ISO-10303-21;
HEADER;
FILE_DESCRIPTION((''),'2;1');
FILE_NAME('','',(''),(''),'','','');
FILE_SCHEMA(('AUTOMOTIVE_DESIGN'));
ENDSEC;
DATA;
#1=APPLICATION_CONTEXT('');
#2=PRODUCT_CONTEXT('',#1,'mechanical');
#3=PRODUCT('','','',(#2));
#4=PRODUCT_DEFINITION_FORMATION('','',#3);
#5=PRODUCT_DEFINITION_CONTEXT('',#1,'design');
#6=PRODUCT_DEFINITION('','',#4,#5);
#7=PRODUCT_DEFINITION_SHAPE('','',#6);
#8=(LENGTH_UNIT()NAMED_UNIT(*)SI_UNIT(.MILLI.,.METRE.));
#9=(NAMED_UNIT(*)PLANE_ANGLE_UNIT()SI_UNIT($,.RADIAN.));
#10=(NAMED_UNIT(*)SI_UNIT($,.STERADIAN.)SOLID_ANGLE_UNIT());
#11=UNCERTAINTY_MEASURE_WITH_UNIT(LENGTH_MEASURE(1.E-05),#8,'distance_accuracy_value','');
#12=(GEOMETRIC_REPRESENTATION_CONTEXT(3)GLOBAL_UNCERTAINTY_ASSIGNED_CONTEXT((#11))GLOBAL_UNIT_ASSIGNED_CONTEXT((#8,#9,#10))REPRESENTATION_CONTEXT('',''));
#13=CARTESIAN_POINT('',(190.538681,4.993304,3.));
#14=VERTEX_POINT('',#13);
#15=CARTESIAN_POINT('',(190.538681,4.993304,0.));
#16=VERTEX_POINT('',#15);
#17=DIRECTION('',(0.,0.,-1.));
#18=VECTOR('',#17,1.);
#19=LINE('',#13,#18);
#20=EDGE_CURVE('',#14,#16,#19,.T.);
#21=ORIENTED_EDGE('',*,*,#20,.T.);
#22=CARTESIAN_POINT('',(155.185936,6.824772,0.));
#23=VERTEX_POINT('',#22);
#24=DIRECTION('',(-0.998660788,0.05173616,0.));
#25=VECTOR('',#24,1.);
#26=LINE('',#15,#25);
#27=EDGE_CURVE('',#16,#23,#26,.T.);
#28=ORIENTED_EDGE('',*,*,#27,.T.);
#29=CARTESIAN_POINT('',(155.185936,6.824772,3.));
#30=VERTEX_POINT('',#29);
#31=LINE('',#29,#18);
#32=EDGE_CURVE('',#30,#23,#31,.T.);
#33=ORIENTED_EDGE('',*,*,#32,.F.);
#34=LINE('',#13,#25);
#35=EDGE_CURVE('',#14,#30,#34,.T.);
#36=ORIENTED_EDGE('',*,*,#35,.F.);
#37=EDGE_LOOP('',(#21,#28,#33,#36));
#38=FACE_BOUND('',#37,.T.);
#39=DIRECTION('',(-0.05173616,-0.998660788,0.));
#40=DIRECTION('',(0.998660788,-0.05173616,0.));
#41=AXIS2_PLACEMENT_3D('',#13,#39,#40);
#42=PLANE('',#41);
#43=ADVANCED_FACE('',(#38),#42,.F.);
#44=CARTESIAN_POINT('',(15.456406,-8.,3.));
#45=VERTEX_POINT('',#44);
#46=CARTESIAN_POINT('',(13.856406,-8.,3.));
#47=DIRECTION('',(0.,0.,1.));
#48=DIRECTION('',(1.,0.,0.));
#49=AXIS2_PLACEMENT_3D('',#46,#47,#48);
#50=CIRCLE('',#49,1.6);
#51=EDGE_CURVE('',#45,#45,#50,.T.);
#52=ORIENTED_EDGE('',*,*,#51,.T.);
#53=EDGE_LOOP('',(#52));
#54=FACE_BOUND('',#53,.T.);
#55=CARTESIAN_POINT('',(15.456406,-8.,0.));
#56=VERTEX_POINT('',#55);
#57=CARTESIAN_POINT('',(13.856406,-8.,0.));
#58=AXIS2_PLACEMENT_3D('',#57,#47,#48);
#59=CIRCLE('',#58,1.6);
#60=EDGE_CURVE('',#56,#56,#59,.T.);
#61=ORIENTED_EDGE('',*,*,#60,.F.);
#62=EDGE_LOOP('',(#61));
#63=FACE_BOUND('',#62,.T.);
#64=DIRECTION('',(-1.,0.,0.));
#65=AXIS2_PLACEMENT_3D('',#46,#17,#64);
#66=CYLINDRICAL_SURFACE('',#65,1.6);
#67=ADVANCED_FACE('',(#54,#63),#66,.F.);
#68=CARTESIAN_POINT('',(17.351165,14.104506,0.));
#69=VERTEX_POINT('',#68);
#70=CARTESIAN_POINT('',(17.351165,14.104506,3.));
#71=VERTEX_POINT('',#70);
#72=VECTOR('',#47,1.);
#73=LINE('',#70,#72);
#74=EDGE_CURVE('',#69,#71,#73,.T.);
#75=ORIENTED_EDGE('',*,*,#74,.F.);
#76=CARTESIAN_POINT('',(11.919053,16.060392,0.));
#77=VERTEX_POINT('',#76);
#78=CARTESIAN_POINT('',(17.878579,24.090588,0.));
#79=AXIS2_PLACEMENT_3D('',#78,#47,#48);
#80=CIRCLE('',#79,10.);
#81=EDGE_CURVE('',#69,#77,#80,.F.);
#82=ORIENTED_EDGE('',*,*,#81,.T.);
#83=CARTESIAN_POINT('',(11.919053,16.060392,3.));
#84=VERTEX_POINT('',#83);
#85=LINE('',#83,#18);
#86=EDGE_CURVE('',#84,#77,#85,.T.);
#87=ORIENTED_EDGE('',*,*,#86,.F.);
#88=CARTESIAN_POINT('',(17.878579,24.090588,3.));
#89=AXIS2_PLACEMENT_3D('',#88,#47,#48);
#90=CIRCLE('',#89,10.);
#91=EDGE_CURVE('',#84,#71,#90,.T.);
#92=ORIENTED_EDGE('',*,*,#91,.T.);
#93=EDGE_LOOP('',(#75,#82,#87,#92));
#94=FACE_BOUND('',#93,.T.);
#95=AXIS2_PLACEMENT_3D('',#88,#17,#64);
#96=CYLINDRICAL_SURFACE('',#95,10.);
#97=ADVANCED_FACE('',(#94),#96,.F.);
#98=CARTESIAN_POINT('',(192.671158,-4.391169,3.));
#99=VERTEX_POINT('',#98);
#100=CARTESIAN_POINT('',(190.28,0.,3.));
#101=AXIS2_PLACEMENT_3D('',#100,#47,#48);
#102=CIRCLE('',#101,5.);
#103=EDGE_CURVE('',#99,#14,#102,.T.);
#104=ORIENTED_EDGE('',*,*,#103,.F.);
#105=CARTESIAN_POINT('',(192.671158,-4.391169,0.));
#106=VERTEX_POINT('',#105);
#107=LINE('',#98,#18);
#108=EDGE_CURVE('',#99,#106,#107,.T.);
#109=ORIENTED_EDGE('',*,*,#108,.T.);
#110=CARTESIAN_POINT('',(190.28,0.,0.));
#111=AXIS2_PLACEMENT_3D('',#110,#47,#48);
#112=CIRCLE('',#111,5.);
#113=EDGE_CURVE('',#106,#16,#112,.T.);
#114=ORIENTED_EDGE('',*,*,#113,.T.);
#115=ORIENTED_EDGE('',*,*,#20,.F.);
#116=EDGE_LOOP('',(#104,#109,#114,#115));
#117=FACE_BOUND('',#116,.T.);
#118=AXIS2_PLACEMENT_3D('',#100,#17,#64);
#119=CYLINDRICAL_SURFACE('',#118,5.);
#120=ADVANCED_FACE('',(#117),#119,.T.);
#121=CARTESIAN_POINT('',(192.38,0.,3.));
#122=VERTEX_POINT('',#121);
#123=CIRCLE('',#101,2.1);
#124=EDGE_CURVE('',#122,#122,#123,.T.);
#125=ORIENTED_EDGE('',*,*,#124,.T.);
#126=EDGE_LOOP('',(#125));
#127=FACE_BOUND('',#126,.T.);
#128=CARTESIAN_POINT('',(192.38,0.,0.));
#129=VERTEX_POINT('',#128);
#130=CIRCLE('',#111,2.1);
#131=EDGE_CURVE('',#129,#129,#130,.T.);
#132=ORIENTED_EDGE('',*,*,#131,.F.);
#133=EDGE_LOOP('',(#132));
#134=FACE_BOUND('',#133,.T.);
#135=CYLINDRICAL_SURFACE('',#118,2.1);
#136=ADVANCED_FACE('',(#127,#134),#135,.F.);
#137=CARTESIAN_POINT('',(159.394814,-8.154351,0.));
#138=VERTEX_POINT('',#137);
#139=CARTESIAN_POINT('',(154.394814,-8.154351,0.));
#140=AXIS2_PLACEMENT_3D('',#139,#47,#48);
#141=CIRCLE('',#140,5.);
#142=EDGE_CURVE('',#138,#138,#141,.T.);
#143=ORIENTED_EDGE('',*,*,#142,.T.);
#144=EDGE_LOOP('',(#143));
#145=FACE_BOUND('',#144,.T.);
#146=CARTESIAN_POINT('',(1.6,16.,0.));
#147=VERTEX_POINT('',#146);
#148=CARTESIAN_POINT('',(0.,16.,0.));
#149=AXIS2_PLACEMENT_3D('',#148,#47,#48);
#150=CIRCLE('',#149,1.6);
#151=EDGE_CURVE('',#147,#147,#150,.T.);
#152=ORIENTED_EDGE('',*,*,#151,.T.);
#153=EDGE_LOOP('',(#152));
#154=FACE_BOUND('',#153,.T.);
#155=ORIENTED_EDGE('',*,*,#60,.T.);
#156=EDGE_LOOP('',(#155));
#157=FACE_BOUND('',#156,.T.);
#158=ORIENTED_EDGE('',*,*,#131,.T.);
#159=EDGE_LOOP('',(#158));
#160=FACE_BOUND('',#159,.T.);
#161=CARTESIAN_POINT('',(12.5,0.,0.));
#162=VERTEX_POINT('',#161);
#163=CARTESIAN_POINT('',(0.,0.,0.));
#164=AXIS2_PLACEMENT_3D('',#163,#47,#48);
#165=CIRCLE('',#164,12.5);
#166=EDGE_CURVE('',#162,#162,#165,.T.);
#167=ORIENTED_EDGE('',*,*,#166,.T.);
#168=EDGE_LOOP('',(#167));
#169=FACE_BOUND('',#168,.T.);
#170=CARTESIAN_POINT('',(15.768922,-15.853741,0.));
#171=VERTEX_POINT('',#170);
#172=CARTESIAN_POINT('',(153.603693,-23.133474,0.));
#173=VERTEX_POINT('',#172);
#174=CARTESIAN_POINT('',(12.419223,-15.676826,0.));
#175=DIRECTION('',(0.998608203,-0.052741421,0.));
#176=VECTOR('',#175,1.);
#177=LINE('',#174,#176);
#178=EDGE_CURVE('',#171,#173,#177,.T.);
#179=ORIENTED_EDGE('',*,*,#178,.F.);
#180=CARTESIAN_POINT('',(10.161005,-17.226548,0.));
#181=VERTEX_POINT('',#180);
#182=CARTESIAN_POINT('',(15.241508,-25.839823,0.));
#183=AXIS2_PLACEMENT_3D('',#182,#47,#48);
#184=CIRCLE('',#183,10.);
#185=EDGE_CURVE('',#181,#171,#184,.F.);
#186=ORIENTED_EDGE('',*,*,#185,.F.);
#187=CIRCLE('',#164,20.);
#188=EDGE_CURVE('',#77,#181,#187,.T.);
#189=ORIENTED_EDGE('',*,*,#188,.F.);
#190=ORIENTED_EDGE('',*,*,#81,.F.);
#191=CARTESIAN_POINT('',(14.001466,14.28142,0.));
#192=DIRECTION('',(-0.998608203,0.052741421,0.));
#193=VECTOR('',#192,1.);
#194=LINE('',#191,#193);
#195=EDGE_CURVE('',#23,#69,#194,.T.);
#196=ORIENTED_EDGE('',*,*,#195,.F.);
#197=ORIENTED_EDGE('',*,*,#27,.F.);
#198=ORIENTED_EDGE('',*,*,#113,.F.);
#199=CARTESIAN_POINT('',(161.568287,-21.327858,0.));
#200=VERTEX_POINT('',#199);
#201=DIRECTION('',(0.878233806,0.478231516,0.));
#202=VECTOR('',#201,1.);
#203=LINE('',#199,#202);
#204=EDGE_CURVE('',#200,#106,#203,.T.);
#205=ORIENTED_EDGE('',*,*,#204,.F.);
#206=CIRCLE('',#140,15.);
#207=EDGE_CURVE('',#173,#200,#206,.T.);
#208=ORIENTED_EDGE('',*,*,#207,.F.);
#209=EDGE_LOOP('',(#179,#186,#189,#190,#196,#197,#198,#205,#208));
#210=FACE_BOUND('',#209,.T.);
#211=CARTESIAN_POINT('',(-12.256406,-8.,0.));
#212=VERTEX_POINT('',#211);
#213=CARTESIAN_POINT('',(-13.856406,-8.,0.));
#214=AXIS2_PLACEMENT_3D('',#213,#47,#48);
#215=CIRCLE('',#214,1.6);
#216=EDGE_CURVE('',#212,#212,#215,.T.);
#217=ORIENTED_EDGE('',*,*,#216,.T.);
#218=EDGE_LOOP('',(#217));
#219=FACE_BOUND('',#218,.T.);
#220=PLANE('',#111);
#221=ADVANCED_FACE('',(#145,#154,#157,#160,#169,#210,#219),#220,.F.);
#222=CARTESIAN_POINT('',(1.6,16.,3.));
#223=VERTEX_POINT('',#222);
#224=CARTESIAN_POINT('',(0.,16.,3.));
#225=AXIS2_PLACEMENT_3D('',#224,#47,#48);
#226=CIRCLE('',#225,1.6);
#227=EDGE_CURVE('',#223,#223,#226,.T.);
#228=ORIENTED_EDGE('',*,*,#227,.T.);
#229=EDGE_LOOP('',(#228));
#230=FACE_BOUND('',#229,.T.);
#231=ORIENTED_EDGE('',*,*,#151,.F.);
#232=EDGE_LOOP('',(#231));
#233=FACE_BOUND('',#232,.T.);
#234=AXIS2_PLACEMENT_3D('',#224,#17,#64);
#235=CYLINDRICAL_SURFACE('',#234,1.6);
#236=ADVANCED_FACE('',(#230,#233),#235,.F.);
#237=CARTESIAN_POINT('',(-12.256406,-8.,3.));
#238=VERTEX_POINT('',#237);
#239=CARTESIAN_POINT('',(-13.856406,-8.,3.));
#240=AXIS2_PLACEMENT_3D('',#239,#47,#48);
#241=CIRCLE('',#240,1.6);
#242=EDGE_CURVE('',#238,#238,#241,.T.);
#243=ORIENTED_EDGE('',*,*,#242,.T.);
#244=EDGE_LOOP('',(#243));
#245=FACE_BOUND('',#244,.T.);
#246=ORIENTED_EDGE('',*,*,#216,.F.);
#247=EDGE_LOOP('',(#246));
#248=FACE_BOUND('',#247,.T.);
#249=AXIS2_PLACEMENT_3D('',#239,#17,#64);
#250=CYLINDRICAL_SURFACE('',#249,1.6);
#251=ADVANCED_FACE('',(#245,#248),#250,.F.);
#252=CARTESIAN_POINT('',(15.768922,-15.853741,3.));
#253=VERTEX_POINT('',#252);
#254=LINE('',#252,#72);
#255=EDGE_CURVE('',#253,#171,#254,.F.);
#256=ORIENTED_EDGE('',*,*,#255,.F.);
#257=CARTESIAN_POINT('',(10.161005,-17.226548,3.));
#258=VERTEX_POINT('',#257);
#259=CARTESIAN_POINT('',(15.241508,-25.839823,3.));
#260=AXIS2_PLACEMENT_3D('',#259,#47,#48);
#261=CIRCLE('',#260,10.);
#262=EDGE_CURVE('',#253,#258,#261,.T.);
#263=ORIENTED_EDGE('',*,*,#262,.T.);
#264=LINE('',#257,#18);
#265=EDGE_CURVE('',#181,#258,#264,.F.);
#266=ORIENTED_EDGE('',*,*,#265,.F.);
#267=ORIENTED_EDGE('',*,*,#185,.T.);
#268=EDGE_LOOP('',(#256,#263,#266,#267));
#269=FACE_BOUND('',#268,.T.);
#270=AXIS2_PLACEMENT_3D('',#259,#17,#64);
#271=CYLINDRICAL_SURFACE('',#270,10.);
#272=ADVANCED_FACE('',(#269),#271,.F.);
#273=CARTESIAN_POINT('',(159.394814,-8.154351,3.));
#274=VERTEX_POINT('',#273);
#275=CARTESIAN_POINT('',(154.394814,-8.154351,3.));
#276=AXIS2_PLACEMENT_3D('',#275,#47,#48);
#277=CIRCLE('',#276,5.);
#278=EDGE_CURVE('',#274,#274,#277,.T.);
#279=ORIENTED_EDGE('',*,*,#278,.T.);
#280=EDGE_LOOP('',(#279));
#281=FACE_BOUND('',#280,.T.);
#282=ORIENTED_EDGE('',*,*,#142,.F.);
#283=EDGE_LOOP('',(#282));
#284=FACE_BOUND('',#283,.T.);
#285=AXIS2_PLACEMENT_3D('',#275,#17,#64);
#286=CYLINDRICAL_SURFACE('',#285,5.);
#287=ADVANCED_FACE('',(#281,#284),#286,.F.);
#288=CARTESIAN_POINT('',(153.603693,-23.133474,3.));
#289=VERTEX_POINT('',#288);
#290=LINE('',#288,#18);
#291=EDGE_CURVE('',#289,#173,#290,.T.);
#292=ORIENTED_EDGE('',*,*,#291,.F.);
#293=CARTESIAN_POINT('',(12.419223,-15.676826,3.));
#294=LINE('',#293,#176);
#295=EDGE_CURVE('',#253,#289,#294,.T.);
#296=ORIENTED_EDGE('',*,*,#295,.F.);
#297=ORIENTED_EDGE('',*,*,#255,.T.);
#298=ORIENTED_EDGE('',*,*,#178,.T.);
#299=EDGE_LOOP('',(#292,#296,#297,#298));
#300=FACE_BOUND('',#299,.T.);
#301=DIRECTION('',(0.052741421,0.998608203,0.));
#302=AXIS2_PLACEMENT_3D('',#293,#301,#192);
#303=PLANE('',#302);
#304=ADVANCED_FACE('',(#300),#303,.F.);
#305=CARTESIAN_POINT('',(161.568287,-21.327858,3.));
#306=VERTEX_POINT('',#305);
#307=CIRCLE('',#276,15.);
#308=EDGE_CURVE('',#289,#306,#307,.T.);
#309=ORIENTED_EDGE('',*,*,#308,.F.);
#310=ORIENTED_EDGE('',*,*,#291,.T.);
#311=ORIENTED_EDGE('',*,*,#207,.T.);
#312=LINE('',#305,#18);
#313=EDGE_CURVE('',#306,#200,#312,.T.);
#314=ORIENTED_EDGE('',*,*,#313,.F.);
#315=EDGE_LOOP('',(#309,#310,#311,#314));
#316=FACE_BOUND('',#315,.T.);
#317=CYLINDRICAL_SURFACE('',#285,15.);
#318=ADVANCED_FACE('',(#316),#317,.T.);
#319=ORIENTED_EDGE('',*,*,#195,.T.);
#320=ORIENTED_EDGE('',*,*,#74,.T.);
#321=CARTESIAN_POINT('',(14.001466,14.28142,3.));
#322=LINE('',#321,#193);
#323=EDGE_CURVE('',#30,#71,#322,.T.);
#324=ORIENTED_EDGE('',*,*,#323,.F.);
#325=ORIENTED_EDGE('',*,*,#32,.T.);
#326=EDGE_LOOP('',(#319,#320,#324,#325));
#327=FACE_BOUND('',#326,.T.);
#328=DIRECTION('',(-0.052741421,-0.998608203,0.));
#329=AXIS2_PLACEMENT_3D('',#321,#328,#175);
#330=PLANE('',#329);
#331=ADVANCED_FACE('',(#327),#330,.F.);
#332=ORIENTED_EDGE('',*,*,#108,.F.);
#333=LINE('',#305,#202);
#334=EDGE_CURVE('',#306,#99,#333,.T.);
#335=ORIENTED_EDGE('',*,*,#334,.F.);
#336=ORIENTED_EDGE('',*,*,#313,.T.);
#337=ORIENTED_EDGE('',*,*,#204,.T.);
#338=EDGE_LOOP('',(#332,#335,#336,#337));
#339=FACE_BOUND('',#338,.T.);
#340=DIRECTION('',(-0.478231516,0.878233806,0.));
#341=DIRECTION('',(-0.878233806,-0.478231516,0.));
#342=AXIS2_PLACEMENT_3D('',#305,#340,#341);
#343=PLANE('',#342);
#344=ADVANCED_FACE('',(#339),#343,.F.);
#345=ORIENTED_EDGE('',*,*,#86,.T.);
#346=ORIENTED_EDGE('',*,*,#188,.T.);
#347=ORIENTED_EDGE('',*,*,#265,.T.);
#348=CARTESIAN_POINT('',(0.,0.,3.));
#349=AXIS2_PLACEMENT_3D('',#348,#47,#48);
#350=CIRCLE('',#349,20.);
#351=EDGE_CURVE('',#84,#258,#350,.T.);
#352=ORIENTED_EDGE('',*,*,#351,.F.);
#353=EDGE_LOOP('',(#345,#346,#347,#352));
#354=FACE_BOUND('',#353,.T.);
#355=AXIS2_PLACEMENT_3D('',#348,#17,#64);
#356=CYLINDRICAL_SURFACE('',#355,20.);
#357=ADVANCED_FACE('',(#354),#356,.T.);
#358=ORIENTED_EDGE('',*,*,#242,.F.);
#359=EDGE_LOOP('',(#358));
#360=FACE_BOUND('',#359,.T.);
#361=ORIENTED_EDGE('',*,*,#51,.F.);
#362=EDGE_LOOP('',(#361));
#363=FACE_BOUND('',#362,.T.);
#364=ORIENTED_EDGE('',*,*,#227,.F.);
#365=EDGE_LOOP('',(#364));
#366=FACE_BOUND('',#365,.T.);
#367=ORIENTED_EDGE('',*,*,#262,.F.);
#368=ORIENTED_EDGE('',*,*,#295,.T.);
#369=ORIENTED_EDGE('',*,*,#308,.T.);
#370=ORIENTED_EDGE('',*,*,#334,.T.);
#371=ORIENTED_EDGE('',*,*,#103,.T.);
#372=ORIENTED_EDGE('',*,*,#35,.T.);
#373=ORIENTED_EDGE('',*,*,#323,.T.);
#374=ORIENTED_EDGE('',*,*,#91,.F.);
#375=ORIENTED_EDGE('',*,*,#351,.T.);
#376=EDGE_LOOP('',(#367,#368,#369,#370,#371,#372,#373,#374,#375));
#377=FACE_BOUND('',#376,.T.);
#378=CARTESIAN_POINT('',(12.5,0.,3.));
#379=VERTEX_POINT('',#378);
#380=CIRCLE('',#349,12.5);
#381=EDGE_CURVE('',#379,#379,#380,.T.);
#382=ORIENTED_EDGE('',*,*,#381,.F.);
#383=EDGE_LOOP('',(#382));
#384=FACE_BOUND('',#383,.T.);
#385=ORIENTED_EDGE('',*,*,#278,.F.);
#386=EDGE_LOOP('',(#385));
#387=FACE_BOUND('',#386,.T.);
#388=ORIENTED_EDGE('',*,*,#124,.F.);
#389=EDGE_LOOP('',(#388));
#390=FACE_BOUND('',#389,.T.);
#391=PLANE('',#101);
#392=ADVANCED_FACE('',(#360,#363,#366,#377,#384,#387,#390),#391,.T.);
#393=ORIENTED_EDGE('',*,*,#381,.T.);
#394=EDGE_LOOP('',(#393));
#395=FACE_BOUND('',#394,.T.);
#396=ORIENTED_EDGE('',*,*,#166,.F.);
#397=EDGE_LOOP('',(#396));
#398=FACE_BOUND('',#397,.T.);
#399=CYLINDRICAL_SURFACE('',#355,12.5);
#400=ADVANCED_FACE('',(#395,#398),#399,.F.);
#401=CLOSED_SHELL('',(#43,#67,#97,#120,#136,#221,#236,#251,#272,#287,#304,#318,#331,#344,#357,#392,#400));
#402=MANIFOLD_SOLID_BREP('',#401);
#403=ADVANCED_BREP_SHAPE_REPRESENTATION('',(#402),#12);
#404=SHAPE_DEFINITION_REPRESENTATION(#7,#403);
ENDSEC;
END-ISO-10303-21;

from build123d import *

# Parameters (mm, degrees)
SKETCH_1_R      = 5
SKETCH_1_R_2    = 2.1
SKETCH_1_R_3    = 1.6
SKETCH_1_R_4    = 12.5
EXTRUDE_1_DEPTH = 3
FILLET_1_R      = 10
FILLET_2_R      = 10


with BuildPart() as part:
    # 草图1 → 凸台-拉伸1 (new body)
    with BuildSketch(Plane.XY):
        with BuildLine():
            Line((12.419223494, -15.676826458), (153.603692908, -23.133474126))
            ThreePointArc((153.603692908, -23.133474126), (157.711237696, -22.783135564), (161.568286957, -21.32785817))
            Line((161.568286957, -21.32785817), (192.671157578, -4.391169028))
            ThreePointArc((192.671157578, -4.391169028), (195.155704471, 1.10792866), (190.538680801, 4.993303941))
            Line((190.538680801, 4.993303941), (155.185935535, 6.824771956))
            Line((155.185935535, 6.824771956), (14.001466121, 14.281419623))
            ThreePointArc((14.001466121, 14.281419623), (-19.972164054, 1.054828418), (12.419223494, -15.676826458))
        make_face()
        with Locations((154.394814221, -8.154351085)):
            Circle(SKETCH_1_R, mode=Mode.SUBTRACT)
        with Locations((190.28, 0)):
            Circle(SKETCH_1_R_2, mode=Mode.SUBTRACT)
        with Locations((0, 16)):
            Circle(SKETCH_1_R_3, mode=Mode.SUBTRACT)
        Circle(SKETCH_1_R_4, mode=Mode.SUBTRACT)
        with Locations((13.856406461, -8)):
            Circle(SKETCH_1_R_3, mode=Mode.SUBTRACT)
        with Locations((-13.856406461, -8)):
            Circle(SKETCH_1_R_3, mode=Mode.SUBTRACT)
    extrude(amount=EXTRUDE_1_DEPTH)

    # 圆角1
    fillet_1_edges = [part.edges().sort_by_distance(p)[0] for p in [
        (14.001466121, 14.281419623, 1.5),
    ]]
    fillet(fillet_1_edges, radius=FILLET_1_R)

    # 圆角2
    fillet_2_edges = [part.edges().sort_by_distance(p)[0] for p in [
        (12.419223494, -15.676826458, 1.5),
    ]]
    fillet(fillet_2_edges, radius=FILLET_2_R)


solid = part.part
